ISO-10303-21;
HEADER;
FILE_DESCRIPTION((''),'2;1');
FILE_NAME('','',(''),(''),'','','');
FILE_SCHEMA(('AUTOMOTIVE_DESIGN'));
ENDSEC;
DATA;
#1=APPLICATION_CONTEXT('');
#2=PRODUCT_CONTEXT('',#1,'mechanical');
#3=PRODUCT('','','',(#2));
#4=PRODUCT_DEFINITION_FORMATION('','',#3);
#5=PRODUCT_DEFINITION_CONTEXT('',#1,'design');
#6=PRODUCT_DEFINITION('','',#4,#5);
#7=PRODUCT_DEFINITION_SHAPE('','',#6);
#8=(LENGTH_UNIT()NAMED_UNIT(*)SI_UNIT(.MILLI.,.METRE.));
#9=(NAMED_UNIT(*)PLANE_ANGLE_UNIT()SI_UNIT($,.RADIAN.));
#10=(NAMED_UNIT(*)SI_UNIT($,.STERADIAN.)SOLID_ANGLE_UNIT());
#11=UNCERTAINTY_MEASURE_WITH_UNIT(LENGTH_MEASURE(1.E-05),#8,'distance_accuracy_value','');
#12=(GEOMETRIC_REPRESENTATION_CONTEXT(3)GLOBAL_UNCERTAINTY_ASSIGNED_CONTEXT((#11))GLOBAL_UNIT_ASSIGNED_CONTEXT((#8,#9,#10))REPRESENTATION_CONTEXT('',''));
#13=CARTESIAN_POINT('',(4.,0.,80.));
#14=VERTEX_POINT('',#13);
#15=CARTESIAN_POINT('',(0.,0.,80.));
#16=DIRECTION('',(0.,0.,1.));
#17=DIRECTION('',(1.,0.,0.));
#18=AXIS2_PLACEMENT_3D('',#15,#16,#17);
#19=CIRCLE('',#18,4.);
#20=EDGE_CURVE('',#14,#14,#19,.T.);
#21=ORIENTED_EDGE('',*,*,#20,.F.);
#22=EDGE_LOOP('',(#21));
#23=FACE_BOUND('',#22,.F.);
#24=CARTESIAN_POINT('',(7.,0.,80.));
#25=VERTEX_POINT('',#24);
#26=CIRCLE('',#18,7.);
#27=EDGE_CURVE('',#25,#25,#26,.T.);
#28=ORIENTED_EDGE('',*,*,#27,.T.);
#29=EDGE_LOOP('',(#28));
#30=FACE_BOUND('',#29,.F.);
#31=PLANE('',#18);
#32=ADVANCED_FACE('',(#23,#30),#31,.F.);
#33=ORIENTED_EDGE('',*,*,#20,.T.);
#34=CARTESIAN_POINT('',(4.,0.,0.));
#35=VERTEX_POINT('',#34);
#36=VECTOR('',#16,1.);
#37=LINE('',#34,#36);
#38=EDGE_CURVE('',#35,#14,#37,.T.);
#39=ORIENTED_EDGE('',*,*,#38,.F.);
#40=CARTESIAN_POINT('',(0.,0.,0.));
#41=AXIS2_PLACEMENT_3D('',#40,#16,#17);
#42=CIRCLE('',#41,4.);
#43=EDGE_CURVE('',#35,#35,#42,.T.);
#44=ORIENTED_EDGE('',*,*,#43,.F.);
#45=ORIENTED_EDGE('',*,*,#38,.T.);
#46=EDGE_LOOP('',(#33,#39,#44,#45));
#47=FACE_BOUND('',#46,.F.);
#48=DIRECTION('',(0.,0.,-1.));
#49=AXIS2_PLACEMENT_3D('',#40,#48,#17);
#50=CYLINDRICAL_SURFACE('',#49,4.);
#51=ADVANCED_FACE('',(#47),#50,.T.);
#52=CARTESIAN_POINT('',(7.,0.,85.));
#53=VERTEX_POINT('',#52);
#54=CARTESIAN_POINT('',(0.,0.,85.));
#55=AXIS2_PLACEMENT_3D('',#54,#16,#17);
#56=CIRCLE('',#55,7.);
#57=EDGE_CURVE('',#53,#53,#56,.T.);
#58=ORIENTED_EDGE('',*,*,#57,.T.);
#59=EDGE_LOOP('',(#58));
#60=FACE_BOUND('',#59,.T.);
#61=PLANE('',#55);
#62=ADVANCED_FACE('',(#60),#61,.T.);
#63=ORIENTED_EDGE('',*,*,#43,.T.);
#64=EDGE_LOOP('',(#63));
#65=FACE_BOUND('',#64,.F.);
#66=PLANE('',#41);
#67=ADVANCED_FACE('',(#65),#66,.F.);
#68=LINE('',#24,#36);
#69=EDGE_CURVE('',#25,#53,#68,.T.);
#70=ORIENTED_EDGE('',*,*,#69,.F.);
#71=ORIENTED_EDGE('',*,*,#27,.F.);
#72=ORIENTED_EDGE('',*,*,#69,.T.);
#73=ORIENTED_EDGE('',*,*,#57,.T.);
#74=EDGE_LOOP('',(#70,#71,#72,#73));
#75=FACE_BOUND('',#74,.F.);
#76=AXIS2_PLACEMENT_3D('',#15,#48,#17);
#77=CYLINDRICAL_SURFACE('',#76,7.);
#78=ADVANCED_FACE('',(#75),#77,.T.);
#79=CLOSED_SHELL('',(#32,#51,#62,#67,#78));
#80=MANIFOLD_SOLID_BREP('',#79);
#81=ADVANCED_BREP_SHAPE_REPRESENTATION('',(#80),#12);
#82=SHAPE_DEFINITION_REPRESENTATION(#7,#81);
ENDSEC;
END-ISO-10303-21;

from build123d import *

# Parameters (mm, degrees)
SKETCH_R     = 4
PAD_DEPTH    = 80
SKETCH001_R  = 7
PAD001_DEPTH = 5


with BuildPart() as part:
    # Sketch → Pad (new body)
    with BuildSketch(Plane.XY):
        Circle(SKETCH_R)
    extrude(amount=PAD_DEPTH)

    # Sketch001 (on Face3 of Pad) → Pad001 (join)
    with BuildSketch(Plane.XY.offset(80)):
        Circle(SKETCH001_R)
    extrude(amount=PAD001_DEPTH)


solid = part.part
